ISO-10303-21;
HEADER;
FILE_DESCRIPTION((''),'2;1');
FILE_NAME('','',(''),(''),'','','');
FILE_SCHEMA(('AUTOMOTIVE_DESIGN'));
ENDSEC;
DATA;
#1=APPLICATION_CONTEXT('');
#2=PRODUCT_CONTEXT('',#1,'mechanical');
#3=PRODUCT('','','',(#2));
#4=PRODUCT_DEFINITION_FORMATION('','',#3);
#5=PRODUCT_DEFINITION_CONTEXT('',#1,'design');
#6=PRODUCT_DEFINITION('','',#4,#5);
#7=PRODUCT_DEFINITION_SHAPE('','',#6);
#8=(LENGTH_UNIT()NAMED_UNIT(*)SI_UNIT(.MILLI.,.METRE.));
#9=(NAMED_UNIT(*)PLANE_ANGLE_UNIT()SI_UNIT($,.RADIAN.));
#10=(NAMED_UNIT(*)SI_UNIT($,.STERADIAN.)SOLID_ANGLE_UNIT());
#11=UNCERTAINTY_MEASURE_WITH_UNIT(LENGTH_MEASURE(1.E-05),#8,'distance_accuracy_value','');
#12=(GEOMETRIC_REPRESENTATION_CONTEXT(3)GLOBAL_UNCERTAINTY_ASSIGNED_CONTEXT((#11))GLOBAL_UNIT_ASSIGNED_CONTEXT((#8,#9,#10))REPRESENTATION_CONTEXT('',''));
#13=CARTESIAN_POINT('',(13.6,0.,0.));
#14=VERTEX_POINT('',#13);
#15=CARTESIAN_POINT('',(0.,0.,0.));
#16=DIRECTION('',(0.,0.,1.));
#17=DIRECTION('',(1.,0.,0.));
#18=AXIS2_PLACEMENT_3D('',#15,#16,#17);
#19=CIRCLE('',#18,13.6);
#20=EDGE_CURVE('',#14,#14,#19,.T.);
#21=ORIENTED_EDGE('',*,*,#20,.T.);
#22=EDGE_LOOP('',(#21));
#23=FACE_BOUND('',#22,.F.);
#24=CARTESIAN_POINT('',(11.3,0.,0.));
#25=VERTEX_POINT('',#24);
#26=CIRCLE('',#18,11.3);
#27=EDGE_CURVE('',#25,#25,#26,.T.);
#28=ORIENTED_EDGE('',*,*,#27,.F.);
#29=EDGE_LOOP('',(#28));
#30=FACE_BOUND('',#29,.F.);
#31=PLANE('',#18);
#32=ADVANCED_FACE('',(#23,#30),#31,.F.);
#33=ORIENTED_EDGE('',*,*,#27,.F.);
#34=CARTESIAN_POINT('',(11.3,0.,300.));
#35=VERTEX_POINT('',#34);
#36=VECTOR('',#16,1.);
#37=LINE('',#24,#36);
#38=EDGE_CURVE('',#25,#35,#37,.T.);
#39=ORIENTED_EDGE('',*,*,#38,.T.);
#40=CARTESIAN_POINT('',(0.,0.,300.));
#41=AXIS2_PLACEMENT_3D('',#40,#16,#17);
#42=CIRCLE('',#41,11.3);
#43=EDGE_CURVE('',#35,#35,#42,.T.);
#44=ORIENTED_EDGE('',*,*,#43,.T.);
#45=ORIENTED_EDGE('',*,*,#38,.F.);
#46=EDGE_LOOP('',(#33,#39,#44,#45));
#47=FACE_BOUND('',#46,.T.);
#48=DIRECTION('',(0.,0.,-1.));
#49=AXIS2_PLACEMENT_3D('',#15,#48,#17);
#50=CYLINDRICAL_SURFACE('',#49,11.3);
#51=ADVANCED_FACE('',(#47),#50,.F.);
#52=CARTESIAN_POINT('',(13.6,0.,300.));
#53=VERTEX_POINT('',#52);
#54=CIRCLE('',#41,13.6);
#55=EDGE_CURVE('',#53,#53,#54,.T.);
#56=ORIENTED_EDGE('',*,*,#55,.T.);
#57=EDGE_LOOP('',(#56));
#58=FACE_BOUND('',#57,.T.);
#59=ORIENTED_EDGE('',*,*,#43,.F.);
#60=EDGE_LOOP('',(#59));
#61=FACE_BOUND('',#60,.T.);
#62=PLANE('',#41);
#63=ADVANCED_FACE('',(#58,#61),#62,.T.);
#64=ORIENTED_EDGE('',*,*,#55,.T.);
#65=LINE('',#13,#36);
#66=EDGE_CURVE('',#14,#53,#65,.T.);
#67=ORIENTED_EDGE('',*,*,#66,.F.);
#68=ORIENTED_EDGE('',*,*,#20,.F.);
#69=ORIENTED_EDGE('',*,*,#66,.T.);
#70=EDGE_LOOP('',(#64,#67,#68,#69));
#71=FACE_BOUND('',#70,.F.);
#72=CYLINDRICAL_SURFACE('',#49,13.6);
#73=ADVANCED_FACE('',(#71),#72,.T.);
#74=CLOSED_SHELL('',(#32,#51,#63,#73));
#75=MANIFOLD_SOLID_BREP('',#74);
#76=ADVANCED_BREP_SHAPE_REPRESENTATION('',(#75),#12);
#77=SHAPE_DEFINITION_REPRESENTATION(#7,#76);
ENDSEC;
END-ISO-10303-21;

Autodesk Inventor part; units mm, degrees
ref_plane "YZ Plane" through (0, 0, 0) normal (1, 0, 0) x (0, 1, 0)
ref_plane "XZ Plane" through (0, 0, 0) normal (0, 1, 0) x (-1, 0, 0)
ref_plane "XY Plane" through (0, 0, 0) normal (0, 0, 1) x (1, 0, 0)
sketch "スケッチ1" plane through (0, 0, 0) normal (0, 0, 1) x (1, 0, 0)
  circle A0 centre (0, 0) radius 13.6
  circle A1 centre (0, 0) radius 11.3
  dimension "d0" = 27.2
  dimension "d1" = 22.6
extrude "押し出し1" add sketch "スケッチ1" along normal blind 300
